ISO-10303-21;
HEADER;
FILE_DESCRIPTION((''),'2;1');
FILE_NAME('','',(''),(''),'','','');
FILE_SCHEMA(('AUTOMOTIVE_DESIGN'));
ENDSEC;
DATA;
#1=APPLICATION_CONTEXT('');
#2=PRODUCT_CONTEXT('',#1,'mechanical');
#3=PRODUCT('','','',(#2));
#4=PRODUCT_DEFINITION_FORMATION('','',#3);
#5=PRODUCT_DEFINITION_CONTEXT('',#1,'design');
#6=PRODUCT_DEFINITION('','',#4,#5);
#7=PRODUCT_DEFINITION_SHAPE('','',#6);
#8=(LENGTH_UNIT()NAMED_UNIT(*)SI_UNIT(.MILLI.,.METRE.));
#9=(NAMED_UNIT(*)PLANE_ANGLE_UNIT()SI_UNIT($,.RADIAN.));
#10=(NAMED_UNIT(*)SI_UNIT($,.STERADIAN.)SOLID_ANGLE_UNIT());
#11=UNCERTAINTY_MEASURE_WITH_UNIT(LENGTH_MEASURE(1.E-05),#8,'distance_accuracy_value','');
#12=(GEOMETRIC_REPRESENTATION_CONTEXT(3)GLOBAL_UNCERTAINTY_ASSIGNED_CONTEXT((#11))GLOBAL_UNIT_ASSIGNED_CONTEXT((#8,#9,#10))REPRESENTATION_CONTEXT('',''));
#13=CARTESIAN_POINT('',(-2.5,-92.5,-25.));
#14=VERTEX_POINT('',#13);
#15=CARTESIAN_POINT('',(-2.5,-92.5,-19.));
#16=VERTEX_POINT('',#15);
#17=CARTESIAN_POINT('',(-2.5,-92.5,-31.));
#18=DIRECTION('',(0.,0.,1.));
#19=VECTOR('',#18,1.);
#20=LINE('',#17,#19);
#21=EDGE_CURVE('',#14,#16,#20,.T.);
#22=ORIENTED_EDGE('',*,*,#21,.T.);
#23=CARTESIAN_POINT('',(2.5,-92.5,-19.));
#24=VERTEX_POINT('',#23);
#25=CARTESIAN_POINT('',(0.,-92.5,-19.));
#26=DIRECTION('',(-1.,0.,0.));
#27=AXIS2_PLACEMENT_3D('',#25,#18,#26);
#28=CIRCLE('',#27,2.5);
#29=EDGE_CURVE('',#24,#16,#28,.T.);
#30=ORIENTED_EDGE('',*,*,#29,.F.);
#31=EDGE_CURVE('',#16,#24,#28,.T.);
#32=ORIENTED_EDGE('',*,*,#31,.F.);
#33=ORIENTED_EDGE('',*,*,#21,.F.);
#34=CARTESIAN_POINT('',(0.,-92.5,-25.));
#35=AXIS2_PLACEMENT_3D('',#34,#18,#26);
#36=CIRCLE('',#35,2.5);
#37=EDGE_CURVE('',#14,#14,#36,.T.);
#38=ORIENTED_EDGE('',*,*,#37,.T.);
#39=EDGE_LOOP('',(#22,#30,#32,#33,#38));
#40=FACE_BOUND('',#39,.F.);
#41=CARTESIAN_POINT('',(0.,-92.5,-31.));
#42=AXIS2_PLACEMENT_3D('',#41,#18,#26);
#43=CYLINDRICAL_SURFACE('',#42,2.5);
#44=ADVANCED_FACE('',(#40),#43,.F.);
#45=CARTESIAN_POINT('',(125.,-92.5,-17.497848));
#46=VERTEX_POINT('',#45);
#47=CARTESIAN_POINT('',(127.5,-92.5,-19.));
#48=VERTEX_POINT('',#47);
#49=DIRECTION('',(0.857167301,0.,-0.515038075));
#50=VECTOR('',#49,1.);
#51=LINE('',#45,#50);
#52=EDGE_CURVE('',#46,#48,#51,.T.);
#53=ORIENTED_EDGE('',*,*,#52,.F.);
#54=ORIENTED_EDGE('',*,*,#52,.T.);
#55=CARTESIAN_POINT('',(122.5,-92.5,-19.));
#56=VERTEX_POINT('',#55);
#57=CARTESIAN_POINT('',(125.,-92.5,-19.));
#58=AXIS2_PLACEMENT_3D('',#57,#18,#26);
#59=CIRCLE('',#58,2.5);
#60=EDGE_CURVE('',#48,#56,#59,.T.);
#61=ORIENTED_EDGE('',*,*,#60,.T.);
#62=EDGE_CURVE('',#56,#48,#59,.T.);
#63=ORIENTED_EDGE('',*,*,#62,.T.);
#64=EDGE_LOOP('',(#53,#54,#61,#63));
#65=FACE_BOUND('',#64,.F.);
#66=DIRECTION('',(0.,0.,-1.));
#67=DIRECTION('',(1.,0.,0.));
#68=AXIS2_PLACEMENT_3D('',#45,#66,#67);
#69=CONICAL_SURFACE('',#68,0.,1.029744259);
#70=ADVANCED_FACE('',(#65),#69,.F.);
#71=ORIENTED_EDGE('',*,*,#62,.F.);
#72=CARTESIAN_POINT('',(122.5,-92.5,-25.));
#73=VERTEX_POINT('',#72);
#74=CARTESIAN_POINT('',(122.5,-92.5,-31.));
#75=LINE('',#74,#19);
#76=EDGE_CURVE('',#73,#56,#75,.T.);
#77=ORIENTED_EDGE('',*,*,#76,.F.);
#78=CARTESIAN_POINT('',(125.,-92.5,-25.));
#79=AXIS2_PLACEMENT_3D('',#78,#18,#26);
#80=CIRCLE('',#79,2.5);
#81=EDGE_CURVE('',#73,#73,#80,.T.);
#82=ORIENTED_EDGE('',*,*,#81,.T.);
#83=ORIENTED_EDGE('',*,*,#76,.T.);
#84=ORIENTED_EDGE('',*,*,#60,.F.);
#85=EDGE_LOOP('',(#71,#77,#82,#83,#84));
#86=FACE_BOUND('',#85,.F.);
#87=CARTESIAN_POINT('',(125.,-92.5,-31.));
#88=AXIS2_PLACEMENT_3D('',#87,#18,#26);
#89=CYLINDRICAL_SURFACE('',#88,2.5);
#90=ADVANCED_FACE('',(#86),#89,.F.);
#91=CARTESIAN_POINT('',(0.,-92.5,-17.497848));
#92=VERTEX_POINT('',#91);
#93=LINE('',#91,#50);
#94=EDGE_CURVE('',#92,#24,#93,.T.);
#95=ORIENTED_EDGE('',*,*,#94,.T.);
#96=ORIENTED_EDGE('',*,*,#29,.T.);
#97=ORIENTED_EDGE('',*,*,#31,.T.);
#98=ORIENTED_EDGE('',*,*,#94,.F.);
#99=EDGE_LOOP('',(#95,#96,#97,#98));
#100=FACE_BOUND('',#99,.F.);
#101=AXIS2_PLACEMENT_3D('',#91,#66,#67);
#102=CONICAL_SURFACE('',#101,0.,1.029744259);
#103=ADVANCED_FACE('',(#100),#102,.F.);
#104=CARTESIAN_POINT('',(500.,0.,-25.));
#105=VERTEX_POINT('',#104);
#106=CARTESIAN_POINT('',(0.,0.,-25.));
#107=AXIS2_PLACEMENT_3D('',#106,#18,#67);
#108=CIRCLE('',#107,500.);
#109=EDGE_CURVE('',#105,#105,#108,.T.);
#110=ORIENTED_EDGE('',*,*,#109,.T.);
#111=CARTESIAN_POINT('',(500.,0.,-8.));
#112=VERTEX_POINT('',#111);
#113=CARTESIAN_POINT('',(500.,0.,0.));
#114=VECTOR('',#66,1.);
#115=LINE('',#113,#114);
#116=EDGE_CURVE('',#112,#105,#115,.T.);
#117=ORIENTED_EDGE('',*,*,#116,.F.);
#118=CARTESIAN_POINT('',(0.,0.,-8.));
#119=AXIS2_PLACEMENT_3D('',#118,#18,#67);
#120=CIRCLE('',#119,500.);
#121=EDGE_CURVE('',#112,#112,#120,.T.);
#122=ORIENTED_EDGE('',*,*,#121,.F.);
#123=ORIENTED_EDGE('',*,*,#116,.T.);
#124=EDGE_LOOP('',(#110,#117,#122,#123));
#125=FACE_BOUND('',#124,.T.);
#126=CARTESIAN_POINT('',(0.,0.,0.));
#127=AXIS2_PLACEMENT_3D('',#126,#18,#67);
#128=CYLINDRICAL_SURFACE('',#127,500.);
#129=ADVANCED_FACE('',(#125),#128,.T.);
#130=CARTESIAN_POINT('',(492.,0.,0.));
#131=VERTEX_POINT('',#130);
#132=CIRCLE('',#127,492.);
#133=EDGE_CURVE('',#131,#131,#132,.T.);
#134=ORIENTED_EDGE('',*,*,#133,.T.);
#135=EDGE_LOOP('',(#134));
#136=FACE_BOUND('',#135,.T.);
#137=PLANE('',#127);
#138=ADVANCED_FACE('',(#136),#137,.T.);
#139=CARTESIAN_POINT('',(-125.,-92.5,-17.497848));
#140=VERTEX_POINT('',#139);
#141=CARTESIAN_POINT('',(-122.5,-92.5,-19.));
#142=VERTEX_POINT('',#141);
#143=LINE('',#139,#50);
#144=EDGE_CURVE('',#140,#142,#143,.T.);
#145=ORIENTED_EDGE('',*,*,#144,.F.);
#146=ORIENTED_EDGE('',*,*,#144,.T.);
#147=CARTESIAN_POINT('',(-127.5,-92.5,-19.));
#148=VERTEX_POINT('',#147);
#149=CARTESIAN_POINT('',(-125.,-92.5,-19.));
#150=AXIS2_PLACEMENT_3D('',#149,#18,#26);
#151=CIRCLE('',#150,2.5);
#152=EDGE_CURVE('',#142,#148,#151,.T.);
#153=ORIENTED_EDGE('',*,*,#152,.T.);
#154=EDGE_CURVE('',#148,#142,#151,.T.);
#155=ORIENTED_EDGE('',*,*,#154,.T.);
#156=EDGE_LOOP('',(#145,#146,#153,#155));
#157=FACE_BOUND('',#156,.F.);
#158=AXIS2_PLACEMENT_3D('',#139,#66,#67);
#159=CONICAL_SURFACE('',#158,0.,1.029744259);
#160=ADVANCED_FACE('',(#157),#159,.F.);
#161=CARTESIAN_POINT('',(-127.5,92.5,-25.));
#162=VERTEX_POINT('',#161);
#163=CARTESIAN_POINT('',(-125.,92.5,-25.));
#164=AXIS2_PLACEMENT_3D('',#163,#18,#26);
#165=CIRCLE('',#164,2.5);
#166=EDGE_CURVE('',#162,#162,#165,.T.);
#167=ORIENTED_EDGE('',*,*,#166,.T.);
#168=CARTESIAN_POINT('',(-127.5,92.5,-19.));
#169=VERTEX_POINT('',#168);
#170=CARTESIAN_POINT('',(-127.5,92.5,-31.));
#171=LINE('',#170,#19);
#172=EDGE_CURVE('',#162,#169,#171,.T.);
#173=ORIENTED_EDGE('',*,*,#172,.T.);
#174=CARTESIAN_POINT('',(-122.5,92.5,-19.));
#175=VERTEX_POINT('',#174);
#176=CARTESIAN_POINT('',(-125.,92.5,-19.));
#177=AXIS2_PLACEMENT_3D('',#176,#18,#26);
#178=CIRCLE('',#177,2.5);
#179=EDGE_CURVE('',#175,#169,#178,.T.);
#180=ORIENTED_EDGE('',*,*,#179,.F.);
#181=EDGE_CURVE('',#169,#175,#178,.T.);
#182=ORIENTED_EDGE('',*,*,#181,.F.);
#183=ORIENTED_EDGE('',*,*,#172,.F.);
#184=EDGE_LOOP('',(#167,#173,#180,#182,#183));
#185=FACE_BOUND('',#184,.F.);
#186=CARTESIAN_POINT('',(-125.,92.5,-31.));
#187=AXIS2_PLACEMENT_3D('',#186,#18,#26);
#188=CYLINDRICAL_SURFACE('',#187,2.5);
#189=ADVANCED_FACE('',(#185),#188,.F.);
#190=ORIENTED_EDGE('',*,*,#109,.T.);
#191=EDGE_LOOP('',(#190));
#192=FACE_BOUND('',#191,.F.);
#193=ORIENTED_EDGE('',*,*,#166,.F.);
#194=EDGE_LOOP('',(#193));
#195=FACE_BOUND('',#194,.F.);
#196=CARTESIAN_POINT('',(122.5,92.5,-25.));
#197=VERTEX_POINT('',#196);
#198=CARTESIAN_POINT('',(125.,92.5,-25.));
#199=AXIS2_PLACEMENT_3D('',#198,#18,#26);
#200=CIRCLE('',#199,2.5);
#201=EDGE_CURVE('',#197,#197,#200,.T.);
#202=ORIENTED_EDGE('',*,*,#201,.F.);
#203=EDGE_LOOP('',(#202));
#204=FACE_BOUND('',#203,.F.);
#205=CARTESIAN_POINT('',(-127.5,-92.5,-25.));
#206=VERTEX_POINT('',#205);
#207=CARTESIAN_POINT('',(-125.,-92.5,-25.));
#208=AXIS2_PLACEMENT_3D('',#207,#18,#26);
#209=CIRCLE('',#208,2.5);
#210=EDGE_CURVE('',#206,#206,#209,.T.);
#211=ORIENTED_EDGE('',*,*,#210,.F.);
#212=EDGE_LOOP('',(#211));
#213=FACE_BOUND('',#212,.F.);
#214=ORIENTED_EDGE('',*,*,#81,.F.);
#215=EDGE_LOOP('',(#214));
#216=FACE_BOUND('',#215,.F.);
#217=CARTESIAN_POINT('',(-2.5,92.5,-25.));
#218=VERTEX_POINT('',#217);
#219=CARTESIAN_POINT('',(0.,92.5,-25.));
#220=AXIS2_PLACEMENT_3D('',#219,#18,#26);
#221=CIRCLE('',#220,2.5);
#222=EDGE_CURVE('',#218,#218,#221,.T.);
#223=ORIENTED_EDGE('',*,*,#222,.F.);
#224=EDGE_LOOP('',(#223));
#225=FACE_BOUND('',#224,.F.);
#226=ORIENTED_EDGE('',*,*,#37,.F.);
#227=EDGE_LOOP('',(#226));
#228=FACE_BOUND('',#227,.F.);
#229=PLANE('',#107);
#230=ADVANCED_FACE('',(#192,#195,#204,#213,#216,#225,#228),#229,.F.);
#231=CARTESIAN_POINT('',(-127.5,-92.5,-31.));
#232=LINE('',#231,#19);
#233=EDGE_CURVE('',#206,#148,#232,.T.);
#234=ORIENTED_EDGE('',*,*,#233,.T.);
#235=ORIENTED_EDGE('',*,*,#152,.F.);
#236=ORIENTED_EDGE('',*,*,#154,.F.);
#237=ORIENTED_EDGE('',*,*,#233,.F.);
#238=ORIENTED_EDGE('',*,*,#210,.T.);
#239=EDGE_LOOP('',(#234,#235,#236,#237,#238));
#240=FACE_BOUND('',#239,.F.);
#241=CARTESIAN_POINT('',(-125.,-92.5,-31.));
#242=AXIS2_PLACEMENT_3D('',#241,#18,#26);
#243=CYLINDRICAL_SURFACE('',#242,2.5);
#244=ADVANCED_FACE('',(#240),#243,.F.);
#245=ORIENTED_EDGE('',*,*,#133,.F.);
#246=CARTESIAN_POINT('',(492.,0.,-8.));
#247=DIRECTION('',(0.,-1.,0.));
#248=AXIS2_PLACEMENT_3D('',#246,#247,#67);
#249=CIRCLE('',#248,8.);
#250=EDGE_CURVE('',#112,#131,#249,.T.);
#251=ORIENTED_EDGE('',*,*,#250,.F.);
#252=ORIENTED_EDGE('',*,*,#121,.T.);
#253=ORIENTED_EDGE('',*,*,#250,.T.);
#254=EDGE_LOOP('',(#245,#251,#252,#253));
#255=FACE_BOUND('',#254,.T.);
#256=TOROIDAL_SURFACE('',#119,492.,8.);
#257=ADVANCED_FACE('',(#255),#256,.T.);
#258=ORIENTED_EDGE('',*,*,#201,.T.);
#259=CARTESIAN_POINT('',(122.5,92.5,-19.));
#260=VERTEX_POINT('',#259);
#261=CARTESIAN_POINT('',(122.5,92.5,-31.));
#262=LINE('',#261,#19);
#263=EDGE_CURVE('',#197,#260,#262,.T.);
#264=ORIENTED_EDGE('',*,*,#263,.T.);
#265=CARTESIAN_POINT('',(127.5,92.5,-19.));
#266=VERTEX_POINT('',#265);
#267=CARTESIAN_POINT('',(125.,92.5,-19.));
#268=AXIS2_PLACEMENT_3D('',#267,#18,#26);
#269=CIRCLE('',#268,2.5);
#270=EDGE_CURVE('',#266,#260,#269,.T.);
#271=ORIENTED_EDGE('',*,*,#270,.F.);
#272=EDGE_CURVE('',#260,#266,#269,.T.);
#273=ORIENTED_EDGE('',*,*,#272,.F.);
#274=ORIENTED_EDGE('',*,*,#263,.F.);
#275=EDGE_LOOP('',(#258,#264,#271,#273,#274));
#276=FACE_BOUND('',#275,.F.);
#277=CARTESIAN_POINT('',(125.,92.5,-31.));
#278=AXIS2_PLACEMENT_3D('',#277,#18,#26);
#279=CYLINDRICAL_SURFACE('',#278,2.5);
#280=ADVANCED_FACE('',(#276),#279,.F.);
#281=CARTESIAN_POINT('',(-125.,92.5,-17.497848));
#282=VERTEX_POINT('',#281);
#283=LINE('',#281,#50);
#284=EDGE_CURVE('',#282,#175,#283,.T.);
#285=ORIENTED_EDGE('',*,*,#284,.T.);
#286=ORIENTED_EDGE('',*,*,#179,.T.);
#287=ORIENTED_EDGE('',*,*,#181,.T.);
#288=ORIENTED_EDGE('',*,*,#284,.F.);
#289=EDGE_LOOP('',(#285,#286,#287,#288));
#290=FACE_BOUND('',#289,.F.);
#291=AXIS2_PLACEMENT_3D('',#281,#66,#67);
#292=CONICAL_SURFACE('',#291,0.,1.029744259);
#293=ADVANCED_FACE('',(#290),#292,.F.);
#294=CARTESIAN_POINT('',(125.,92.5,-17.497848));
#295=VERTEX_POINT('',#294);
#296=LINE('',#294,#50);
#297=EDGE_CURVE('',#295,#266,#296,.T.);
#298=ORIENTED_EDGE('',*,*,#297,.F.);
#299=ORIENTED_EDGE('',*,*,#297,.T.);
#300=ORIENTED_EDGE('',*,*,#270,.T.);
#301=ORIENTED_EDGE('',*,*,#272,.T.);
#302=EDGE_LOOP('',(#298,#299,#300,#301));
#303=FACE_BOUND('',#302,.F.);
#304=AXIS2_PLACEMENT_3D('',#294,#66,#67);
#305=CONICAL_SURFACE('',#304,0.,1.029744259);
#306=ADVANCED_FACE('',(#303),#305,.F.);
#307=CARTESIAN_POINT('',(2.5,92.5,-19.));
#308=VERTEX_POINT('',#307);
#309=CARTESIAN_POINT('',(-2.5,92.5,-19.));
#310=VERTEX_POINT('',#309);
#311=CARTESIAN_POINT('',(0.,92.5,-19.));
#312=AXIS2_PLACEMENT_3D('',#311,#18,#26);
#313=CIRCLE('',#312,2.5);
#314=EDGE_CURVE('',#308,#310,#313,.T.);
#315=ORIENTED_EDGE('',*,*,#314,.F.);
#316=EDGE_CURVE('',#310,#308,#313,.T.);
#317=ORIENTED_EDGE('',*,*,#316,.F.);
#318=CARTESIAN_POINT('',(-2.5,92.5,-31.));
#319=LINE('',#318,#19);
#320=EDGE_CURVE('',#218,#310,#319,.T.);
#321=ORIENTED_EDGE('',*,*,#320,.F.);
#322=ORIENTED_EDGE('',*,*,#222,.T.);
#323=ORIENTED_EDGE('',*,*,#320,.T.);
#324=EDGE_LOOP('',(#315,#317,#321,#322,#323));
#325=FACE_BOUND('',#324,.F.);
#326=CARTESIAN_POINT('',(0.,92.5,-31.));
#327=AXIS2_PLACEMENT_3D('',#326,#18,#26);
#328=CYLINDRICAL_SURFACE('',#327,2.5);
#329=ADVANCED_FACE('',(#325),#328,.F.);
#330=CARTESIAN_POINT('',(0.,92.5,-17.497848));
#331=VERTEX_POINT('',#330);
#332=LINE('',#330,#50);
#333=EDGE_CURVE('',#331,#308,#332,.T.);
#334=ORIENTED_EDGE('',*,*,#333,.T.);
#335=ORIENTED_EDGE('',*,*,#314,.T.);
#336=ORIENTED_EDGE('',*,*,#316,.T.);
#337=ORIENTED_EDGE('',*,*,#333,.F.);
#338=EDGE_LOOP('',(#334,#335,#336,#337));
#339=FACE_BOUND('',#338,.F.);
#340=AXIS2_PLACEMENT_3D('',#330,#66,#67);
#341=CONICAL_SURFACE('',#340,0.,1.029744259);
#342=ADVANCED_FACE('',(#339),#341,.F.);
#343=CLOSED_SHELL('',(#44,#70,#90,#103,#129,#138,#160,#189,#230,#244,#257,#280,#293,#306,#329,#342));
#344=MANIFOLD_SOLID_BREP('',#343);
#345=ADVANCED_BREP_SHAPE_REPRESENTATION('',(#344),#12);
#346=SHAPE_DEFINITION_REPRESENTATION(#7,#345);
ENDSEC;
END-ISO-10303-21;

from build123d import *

# Parameters (mm, degrees)
F0_R     = 500
F1_DEPTH = 25
F2_R     = 8
F4_D     = 5
F4_DEPTH = 6
F4_TIP   = 1.5021515476


with BuildPart() as f1:
    # F0 (on Top) → F1 (new body)
    with BuildSketch(Plane.XY):
        Circle(F0_R)
    extrude(amount=-F1_DEPTH)

    # F2
    f2_edges = [f1.edges().sort_by_distance(p)[0] for p in [
        (-500, 0, 0),
    ]]
    fillet(f2_edges, radius=F2_R)

    # F4
    with Locations(Plane(origin=(0, 0, -25), x_dir=(1, 0, 0), z_dir=(0, 0, -1))):
        with Locations((-125, 92.5), (0, -92.5), (125, -92.5), (125, 92.5), (-125, -92.5), (0, 92.5)):
            Hole(F4_D / 2, depth=F4_DEPTH)
            with Locations((0, 0, -(F4_DEPTH + F4_TIP / 2))):  # 118° drill point
                Cone(0, F4_D / 2, F4_TIP, mode=Mode.SUBTRACT)


solid = f1.part
